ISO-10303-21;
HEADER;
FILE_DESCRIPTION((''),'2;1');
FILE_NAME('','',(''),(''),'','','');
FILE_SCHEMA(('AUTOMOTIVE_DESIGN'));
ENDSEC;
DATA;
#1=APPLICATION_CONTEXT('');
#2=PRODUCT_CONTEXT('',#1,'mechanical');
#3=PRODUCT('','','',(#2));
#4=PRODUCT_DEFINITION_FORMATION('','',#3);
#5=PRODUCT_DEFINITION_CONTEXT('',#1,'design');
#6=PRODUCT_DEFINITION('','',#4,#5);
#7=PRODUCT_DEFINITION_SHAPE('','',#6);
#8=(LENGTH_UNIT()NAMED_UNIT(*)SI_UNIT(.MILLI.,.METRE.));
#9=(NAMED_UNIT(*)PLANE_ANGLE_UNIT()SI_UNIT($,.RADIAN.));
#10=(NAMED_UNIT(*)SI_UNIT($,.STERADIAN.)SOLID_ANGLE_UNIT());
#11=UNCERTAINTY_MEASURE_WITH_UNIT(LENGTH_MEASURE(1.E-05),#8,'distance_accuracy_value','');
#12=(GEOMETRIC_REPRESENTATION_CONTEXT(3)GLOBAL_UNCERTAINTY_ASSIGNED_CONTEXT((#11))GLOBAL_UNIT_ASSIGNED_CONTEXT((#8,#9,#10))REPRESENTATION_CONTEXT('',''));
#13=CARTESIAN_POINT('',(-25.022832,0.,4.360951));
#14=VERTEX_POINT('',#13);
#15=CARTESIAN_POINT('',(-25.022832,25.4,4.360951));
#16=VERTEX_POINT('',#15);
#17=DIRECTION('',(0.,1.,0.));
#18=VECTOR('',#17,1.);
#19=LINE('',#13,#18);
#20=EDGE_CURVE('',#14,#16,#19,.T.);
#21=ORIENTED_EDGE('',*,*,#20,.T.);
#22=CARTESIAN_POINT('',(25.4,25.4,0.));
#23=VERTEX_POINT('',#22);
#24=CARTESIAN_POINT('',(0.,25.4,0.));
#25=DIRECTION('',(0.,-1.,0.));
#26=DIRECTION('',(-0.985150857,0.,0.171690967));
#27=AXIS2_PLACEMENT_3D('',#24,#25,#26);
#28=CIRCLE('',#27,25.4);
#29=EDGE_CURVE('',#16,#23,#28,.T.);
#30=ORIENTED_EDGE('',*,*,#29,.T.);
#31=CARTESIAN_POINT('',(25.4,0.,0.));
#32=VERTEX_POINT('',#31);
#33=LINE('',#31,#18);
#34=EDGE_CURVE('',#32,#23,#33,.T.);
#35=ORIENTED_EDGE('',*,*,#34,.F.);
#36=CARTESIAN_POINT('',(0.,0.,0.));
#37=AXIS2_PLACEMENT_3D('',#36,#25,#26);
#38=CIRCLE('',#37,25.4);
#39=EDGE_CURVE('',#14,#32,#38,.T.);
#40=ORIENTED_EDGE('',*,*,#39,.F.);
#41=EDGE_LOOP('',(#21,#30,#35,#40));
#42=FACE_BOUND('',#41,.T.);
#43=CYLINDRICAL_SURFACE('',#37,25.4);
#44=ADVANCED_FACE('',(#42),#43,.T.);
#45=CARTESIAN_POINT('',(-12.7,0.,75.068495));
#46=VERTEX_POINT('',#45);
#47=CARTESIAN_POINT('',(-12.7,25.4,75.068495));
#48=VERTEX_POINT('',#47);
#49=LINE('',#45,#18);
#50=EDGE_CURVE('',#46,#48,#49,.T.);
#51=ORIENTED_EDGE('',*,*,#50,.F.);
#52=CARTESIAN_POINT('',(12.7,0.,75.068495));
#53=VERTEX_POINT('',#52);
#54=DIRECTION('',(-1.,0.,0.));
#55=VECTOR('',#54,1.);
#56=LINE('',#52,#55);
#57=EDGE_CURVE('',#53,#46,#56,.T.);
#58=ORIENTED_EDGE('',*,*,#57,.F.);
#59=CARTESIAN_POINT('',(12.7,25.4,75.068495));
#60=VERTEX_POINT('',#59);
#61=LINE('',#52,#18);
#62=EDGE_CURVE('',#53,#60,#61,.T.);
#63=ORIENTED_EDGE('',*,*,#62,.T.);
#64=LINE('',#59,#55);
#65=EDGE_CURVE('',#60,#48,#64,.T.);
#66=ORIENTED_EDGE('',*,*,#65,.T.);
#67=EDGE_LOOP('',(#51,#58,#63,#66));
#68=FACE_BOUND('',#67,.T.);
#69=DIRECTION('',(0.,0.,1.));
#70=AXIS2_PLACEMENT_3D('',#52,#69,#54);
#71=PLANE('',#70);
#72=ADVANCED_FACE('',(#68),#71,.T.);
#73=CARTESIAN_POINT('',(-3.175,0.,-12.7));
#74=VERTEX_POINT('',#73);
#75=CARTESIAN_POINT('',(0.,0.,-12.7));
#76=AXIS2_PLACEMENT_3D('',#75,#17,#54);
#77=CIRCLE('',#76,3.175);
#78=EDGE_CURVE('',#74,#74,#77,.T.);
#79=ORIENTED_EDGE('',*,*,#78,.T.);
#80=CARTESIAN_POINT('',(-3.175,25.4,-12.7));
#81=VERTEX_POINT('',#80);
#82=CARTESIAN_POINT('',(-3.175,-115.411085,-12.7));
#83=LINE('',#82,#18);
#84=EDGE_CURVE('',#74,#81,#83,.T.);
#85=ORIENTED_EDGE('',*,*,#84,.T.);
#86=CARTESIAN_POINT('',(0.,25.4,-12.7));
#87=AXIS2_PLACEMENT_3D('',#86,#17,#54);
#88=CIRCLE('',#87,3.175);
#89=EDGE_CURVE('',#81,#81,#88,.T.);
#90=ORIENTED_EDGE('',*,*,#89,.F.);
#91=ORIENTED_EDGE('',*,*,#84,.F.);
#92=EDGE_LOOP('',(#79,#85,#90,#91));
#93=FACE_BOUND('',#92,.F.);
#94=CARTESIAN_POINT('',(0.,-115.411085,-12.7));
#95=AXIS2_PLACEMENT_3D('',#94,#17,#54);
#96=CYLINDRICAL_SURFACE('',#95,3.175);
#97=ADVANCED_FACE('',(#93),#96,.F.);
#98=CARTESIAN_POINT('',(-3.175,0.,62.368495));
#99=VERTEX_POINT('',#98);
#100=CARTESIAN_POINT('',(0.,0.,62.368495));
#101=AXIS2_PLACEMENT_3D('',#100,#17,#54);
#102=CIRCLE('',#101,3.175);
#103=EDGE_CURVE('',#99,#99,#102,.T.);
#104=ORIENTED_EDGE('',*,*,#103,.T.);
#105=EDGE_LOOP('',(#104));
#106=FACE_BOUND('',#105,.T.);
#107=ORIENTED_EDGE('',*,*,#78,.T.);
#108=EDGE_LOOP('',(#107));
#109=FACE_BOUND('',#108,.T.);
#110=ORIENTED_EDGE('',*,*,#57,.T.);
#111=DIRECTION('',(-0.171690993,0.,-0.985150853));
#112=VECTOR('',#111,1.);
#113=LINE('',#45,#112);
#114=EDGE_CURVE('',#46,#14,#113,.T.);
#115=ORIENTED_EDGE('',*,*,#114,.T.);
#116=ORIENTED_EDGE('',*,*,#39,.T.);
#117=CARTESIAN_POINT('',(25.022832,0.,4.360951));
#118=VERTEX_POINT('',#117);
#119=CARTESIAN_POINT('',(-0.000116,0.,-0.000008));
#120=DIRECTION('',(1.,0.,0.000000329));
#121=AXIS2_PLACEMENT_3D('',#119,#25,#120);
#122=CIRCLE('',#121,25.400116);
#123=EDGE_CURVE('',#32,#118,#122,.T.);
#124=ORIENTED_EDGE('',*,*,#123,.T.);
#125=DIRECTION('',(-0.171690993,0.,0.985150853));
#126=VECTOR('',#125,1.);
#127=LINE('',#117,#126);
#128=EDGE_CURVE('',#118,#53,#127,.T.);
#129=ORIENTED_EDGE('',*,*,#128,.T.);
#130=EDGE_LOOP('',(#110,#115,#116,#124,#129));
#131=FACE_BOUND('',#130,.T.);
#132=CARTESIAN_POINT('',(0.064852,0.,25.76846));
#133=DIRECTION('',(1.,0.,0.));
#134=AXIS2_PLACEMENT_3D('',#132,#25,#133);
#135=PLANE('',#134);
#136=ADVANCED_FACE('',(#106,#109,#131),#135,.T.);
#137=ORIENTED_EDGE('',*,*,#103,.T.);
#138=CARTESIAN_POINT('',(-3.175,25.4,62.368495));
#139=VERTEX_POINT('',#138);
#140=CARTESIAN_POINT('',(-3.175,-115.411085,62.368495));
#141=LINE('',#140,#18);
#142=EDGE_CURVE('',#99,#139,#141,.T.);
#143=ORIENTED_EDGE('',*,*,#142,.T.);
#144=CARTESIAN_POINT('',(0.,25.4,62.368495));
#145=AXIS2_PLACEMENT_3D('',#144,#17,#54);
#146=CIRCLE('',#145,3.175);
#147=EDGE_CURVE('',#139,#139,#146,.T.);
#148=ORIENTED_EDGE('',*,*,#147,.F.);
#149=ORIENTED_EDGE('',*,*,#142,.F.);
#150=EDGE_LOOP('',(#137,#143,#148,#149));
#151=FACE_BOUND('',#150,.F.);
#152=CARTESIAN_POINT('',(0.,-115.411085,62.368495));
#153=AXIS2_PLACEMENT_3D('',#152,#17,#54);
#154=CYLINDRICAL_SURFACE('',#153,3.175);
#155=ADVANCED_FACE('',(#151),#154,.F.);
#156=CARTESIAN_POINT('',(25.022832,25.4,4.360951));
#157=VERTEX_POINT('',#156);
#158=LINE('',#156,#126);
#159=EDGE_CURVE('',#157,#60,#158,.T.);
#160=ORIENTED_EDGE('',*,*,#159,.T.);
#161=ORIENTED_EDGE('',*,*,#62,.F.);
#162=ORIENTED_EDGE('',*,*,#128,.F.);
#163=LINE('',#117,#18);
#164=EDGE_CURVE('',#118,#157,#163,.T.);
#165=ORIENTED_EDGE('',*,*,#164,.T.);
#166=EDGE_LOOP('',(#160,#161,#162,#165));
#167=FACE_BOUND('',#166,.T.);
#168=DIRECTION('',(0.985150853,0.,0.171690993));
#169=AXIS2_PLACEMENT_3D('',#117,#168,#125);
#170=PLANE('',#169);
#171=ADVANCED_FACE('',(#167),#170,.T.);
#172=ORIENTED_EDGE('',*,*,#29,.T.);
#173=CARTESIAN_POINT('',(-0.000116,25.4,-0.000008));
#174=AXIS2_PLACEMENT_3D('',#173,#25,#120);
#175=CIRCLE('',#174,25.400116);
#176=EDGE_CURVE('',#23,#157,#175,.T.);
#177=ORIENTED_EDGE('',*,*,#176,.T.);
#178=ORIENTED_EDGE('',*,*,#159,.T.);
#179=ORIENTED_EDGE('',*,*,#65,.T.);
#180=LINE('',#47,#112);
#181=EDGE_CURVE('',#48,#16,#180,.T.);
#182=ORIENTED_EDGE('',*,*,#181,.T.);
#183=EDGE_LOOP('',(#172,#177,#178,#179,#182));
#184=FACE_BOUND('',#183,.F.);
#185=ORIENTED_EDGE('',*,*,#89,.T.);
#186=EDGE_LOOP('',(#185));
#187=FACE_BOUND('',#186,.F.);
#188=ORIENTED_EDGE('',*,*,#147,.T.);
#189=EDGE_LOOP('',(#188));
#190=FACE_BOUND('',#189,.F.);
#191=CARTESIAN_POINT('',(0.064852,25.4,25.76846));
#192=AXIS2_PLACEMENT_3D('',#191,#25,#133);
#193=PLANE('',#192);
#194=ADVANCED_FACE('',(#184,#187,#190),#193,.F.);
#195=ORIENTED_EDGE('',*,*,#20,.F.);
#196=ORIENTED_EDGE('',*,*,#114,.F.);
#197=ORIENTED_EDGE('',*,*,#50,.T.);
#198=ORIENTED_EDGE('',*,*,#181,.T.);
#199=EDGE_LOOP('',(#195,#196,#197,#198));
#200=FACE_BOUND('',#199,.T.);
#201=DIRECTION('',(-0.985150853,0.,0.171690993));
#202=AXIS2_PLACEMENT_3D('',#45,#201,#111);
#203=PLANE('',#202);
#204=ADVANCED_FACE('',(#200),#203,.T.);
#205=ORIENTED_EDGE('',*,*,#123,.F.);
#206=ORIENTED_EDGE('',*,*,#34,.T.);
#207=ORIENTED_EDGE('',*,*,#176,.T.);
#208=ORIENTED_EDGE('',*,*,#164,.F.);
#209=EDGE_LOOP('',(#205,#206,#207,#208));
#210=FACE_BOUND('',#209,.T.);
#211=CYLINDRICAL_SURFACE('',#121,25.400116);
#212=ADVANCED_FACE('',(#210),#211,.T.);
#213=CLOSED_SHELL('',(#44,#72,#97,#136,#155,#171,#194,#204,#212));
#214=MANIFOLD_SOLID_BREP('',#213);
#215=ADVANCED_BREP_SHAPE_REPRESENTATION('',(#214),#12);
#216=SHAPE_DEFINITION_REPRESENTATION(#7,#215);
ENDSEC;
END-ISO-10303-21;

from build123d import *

# Parameters (mm, degrees)
F1_DEPTH = 25.4
F3_D     = 6.35


with BuildPart() as f1:
    # F0 (on Front) → F1 (new body)
    with BuildSketch(Plane.XZ):
        with BuildLine():
            Line((-12.7, 75.068495), (-25.022832, 4.360951))
            ThreePointArc((-25.022832, 4.360951), (-2.188615, -25.305532), (25.4, 0))
            ThreePointArc((25.4, 0), (25.305532, 2.188615), (25.022832, 4.360951))
            Line((25.022832, 4.360951), (12.7, 75.068495))
            Line((12.7, 75.068495), (-12.7, 75.068495))
        make_face()
    extrude(amount=-F1_DEPTH)

    # F3 (through all)
    with Locations(Plane.XZ):
        with Locations((0, -12.7), (0, 62.368495)):
            Hole(F3_D / 2)


solid = f1.part
